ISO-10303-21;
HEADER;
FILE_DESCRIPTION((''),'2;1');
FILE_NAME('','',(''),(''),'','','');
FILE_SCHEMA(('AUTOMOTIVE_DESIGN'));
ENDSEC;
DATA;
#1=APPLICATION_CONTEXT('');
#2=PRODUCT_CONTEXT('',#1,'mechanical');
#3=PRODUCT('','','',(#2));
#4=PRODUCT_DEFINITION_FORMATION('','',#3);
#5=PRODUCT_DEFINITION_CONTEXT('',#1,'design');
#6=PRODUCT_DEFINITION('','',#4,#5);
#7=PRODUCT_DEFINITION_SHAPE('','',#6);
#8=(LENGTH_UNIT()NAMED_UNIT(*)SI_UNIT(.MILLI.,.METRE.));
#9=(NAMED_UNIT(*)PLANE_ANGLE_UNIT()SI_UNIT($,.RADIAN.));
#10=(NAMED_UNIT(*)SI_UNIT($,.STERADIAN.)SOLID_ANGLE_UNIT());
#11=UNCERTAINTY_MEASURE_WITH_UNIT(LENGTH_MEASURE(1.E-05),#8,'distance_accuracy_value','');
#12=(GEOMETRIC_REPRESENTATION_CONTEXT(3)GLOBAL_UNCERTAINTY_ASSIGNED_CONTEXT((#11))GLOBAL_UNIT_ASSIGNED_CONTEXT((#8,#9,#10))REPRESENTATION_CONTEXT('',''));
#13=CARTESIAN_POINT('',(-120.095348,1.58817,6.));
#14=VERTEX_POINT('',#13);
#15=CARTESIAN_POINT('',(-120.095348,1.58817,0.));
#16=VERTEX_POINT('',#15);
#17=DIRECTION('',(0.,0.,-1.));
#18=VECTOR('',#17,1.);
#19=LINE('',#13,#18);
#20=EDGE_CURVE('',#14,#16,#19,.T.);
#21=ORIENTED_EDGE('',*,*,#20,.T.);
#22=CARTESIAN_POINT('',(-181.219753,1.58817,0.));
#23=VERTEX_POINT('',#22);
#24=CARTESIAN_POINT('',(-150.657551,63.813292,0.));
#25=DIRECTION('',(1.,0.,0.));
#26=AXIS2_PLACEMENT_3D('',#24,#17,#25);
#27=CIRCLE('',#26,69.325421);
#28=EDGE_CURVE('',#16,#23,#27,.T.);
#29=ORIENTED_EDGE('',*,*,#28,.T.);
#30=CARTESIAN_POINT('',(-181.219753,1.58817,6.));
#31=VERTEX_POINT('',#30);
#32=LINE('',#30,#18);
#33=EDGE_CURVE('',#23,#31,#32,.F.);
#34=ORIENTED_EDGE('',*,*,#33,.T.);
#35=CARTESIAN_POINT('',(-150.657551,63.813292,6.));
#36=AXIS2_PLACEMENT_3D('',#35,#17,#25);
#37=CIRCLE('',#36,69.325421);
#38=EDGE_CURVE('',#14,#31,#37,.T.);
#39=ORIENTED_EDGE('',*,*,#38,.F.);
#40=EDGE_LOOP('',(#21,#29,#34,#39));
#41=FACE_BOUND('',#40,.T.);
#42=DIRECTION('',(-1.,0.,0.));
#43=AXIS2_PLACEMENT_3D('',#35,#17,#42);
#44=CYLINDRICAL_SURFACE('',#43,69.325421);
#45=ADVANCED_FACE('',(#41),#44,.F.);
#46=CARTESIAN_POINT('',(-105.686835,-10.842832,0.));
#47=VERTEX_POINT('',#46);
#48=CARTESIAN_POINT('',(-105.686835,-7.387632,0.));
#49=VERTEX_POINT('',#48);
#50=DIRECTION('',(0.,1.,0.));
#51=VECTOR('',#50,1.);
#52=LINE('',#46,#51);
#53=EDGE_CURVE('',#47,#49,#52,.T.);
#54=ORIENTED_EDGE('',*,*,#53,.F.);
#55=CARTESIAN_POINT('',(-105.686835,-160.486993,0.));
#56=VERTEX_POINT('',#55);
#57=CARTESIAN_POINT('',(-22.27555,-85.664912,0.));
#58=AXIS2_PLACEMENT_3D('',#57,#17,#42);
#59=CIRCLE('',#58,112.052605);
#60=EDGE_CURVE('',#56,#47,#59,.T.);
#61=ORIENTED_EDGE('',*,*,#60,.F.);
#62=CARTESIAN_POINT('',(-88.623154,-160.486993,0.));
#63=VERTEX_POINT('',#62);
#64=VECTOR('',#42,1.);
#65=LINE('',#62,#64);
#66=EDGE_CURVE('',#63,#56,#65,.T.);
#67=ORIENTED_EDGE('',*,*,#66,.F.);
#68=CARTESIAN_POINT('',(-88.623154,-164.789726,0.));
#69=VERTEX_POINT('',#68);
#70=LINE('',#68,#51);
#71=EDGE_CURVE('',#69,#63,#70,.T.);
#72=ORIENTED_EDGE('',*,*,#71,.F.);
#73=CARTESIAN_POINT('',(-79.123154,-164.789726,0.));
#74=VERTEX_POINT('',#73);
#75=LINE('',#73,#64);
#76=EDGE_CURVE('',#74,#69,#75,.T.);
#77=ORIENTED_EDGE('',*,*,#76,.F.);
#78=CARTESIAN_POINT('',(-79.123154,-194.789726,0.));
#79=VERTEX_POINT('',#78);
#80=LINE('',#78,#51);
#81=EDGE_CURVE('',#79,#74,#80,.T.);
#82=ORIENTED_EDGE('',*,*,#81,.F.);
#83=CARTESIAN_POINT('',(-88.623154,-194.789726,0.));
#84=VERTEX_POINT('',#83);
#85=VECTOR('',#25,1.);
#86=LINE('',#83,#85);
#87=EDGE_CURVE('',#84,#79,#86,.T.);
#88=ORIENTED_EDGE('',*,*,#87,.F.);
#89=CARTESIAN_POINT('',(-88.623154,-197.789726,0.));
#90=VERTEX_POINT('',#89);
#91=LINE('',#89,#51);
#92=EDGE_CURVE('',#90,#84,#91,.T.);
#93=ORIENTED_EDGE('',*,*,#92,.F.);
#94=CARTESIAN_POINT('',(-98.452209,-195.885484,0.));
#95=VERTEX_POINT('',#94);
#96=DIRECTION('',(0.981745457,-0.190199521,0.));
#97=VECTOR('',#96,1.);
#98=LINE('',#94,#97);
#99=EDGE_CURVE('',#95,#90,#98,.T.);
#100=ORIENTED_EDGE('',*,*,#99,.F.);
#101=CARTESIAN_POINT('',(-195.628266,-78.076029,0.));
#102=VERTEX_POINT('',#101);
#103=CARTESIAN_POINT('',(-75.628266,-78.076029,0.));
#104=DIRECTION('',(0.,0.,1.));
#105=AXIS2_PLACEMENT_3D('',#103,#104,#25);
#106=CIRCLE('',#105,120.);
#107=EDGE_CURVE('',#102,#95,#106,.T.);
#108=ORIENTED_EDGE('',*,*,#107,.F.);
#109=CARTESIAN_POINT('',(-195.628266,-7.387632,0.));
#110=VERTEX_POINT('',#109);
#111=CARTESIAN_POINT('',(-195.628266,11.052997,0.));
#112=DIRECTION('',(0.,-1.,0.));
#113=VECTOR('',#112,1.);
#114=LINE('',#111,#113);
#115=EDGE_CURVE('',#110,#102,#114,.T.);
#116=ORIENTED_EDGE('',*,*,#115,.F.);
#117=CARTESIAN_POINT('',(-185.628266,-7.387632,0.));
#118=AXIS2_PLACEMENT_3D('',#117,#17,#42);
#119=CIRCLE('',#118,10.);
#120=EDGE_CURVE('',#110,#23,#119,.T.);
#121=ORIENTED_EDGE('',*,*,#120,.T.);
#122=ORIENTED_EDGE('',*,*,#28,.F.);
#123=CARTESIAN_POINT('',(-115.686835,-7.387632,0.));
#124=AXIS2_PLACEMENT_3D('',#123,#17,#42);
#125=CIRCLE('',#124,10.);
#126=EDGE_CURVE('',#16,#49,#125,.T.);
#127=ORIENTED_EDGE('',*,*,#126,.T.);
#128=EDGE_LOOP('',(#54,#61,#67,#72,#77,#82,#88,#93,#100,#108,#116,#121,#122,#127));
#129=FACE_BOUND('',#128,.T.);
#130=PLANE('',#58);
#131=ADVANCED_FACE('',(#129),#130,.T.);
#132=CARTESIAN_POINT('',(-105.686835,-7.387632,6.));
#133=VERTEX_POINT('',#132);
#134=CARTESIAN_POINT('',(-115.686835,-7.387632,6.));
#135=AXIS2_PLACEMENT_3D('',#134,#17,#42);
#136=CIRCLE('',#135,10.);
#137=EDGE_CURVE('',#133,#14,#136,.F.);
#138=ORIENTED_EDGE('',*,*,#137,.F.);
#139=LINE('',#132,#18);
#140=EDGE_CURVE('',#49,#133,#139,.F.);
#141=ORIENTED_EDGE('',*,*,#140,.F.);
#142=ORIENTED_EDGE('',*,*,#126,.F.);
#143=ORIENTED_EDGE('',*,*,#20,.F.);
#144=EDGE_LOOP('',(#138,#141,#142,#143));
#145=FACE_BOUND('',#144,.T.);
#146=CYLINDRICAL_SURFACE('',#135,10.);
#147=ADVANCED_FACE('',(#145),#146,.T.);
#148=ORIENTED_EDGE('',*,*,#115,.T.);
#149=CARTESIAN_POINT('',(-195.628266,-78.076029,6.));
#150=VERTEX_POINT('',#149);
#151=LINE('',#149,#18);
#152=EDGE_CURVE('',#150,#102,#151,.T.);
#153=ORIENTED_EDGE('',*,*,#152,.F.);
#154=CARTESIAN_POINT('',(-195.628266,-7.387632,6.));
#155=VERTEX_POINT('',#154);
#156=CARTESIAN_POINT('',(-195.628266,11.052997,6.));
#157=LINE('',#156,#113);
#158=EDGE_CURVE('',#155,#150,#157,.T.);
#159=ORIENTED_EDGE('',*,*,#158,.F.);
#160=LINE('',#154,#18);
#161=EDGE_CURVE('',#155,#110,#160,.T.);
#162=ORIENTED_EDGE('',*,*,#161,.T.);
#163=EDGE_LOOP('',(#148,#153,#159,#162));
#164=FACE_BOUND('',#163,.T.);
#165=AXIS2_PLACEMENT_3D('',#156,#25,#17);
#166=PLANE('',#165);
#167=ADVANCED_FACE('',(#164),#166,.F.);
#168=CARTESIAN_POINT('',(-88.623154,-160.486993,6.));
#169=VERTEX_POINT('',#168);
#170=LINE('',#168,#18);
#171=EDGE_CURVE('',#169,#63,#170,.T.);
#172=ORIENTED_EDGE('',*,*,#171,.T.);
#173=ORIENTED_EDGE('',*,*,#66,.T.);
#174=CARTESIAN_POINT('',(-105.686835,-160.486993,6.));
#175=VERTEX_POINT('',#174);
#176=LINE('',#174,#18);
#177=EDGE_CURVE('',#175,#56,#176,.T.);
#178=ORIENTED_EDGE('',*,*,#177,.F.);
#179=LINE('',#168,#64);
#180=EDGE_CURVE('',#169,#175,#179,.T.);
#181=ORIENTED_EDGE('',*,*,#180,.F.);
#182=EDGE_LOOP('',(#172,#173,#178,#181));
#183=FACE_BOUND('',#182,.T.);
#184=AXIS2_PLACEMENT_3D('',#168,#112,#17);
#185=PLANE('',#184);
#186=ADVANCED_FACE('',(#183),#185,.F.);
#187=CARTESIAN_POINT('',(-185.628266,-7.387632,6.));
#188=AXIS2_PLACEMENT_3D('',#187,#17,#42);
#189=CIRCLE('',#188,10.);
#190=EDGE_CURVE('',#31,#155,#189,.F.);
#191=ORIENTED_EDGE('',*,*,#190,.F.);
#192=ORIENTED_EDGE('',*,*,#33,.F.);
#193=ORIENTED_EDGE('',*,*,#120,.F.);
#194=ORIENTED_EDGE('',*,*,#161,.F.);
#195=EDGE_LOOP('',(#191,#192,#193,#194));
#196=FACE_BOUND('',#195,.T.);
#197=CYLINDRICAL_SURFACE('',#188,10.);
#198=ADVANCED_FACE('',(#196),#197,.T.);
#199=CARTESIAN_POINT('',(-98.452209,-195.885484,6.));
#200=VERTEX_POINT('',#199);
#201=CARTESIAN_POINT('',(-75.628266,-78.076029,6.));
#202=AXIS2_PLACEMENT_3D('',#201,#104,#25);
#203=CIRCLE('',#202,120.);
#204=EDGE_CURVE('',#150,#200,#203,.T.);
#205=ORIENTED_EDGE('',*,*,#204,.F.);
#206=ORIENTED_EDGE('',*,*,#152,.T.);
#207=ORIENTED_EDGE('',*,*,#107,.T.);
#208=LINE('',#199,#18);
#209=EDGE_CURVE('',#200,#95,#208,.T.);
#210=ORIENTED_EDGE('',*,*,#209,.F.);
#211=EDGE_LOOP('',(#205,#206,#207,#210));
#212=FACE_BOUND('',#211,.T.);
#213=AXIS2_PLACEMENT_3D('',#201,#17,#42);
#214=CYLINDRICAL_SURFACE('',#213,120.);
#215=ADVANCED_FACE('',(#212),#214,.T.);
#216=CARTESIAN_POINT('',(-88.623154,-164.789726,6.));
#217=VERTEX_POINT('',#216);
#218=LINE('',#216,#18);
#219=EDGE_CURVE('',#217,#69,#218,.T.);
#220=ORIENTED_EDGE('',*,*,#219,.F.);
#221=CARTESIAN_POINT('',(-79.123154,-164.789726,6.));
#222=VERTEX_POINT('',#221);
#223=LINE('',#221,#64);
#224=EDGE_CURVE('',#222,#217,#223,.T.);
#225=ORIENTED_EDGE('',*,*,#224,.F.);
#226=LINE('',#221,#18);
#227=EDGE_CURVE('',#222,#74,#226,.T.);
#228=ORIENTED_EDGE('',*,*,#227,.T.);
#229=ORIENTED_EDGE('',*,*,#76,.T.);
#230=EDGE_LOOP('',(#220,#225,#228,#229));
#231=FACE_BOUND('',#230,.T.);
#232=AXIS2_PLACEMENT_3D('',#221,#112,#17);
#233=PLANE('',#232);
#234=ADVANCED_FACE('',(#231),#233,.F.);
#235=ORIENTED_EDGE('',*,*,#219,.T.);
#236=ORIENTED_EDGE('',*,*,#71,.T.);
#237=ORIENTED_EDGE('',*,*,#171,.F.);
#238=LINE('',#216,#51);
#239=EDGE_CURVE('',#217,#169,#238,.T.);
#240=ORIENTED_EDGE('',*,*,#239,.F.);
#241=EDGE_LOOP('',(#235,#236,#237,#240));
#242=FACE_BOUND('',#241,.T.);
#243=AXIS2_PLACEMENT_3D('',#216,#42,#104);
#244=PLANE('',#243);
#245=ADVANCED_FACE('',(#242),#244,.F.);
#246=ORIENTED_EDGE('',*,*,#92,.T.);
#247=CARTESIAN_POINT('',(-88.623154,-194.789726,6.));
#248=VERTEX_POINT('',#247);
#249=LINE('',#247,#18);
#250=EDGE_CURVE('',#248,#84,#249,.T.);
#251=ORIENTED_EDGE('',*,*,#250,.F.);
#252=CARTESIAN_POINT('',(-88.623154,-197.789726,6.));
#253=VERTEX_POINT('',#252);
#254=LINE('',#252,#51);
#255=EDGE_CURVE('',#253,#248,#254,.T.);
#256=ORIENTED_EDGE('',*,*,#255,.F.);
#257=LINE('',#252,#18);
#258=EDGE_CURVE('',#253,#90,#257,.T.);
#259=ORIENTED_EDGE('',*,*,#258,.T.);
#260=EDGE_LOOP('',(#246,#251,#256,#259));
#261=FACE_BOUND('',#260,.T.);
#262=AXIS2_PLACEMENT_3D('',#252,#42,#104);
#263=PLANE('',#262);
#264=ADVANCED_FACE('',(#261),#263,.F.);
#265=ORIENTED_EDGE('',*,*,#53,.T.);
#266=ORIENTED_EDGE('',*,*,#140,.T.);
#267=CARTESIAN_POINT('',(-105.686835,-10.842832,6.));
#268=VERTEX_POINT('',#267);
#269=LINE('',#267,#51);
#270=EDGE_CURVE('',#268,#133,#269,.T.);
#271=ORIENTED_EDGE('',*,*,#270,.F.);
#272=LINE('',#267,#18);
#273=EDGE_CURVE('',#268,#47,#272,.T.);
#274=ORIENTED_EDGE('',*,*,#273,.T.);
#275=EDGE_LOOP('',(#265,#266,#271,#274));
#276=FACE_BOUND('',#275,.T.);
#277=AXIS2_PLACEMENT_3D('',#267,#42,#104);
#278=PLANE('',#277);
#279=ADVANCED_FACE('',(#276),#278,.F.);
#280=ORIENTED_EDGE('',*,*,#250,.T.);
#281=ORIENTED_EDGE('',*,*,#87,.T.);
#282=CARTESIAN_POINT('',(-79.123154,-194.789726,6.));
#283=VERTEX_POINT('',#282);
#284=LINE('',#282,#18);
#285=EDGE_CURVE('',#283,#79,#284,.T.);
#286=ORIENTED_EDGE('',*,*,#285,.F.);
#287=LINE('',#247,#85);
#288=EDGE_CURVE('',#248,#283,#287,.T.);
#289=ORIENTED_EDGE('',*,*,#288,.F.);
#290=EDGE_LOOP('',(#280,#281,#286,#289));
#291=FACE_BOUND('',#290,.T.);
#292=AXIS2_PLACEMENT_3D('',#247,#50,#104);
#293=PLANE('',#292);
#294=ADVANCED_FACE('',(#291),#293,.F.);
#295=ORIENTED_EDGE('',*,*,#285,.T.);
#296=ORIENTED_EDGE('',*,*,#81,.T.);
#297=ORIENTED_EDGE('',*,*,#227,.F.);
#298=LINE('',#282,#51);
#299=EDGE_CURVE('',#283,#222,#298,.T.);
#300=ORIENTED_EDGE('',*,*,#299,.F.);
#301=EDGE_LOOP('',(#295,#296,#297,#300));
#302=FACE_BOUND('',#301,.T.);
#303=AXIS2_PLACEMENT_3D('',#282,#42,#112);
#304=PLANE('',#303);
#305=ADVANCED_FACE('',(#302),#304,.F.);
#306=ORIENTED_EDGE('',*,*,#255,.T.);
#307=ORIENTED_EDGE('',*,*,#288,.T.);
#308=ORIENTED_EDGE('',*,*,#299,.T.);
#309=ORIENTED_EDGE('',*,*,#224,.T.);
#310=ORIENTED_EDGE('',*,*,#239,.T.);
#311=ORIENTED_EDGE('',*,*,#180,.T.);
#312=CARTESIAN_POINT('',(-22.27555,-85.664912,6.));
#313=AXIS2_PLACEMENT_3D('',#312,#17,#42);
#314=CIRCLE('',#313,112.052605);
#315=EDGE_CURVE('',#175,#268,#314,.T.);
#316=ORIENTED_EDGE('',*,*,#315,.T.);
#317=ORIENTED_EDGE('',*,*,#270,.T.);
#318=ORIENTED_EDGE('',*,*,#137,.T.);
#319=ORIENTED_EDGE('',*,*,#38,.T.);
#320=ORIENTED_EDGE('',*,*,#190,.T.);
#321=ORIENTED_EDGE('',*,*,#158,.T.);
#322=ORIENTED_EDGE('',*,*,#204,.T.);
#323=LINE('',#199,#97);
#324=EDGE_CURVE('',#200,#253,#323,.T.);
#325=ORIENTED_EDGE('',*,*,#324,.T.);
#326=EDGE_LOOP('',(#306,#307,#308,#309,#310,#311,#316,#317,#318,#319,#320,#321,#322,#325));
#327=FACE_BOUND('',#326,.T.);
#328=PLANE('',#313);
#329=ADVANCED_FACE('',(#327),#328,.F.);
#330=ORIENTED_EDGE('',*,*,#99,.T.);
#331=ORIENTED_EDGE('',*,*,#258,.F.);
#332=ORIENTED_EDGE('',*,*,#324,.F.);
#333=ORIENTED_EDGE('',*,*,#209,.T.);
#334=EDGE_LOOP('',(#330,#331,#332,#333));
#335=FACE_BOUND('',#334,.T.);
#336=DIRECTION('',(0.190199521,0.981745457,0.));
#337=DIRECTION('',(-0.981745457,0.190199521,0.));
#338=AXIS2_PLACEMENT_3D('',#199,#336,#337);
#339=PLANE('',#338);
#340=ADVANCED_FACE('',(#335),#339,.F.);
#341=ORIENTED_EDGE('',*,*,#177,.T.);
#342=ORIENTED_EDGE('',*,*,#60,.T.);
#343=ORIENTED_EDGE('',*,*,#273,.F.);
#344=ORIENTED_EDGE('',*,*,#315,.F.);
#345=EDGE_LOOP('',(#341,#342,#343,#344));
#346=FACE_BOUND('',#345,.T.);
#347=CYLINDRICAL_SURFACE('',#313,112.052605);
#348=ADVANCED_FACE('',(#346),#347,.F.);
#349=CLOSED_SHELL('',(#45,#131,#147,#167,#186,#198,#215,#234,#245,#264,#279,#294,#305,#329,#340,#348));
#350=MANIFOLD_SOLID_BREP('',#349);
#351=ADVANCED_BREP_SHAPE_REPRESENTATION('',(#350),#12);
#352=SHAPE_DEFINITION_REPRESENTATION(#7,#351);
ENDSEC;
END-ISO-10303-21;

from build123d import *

# Parameters (mm, degrees)
BOSS_EXTRUDE1_DEPTH = 6
FILLET1_R           = 10
FILLET2_R           = 10


with BuildPart() as part:
    # Sketch1 → Boss-Extrude1 (new body)
    with BuildSketch(Plane.XY):
        with BuildLine():
            Line((-79.123154231, -194.789726066), (-79.123154231, -164.789726066))
            Line((-79.123154231, -164.789726066), (-88.623154231, -164.789726066))
            Line((-88.623154231, -164.789726066), (-88.623154231, -160.48699252))
            Line((-88.623154231, -160.48699252), (-105.686834952, -160.48699252))
            ThreePointArc((-105.686834952, -160.48699252), (-134.328154399, -85.664912136), (-105.686834952, -10.842831751))
            Line((-105.686834952, -10.842831751), (-105.686834952, 11.052996518))
            ThreePointArc((-105.686834952, 11.052996518), (-150.657550595, -5.512129368), (-195.628266239, 11.052996518))
            Line((-195.628266239, 11.052996518), (-195.628266239, -78.076028691))
            ThreePointArc((-195.628266239, -78.076028691), (-168.199517459, -154.434154962), (-98.45220878, -195.885483519))
            Line((-98.45220878, -195.885483519), (-88.623154231, -197.789726066))
            Line((-88.623154231, -197.789726066), (-88.623154231, -194.789726066))
            Line((-88.623154231, -194.789726066), (-79.123154231, -194.789726066))
        make_face()
    extrude(amount=BOSS_EXTRUDE1_DEPTH)

    # Fillet1
    fillet1_edges = [part.edges().sort_by_distance(p)[0] for p in [
        (-195.628266239, 11.052996518, 3),
    ]]
    fillet(fillet1_edges, radius=FILLET1_R)

    # Fillet2
    fillet2_edges = [part.edges().sort_by_distance(p)[0] for p in [
        (-105.686834952, 11.052996518, 3),
    ]]
    fillet(fillet2_edges, radius=FILLET2_R)


solid = part.part
